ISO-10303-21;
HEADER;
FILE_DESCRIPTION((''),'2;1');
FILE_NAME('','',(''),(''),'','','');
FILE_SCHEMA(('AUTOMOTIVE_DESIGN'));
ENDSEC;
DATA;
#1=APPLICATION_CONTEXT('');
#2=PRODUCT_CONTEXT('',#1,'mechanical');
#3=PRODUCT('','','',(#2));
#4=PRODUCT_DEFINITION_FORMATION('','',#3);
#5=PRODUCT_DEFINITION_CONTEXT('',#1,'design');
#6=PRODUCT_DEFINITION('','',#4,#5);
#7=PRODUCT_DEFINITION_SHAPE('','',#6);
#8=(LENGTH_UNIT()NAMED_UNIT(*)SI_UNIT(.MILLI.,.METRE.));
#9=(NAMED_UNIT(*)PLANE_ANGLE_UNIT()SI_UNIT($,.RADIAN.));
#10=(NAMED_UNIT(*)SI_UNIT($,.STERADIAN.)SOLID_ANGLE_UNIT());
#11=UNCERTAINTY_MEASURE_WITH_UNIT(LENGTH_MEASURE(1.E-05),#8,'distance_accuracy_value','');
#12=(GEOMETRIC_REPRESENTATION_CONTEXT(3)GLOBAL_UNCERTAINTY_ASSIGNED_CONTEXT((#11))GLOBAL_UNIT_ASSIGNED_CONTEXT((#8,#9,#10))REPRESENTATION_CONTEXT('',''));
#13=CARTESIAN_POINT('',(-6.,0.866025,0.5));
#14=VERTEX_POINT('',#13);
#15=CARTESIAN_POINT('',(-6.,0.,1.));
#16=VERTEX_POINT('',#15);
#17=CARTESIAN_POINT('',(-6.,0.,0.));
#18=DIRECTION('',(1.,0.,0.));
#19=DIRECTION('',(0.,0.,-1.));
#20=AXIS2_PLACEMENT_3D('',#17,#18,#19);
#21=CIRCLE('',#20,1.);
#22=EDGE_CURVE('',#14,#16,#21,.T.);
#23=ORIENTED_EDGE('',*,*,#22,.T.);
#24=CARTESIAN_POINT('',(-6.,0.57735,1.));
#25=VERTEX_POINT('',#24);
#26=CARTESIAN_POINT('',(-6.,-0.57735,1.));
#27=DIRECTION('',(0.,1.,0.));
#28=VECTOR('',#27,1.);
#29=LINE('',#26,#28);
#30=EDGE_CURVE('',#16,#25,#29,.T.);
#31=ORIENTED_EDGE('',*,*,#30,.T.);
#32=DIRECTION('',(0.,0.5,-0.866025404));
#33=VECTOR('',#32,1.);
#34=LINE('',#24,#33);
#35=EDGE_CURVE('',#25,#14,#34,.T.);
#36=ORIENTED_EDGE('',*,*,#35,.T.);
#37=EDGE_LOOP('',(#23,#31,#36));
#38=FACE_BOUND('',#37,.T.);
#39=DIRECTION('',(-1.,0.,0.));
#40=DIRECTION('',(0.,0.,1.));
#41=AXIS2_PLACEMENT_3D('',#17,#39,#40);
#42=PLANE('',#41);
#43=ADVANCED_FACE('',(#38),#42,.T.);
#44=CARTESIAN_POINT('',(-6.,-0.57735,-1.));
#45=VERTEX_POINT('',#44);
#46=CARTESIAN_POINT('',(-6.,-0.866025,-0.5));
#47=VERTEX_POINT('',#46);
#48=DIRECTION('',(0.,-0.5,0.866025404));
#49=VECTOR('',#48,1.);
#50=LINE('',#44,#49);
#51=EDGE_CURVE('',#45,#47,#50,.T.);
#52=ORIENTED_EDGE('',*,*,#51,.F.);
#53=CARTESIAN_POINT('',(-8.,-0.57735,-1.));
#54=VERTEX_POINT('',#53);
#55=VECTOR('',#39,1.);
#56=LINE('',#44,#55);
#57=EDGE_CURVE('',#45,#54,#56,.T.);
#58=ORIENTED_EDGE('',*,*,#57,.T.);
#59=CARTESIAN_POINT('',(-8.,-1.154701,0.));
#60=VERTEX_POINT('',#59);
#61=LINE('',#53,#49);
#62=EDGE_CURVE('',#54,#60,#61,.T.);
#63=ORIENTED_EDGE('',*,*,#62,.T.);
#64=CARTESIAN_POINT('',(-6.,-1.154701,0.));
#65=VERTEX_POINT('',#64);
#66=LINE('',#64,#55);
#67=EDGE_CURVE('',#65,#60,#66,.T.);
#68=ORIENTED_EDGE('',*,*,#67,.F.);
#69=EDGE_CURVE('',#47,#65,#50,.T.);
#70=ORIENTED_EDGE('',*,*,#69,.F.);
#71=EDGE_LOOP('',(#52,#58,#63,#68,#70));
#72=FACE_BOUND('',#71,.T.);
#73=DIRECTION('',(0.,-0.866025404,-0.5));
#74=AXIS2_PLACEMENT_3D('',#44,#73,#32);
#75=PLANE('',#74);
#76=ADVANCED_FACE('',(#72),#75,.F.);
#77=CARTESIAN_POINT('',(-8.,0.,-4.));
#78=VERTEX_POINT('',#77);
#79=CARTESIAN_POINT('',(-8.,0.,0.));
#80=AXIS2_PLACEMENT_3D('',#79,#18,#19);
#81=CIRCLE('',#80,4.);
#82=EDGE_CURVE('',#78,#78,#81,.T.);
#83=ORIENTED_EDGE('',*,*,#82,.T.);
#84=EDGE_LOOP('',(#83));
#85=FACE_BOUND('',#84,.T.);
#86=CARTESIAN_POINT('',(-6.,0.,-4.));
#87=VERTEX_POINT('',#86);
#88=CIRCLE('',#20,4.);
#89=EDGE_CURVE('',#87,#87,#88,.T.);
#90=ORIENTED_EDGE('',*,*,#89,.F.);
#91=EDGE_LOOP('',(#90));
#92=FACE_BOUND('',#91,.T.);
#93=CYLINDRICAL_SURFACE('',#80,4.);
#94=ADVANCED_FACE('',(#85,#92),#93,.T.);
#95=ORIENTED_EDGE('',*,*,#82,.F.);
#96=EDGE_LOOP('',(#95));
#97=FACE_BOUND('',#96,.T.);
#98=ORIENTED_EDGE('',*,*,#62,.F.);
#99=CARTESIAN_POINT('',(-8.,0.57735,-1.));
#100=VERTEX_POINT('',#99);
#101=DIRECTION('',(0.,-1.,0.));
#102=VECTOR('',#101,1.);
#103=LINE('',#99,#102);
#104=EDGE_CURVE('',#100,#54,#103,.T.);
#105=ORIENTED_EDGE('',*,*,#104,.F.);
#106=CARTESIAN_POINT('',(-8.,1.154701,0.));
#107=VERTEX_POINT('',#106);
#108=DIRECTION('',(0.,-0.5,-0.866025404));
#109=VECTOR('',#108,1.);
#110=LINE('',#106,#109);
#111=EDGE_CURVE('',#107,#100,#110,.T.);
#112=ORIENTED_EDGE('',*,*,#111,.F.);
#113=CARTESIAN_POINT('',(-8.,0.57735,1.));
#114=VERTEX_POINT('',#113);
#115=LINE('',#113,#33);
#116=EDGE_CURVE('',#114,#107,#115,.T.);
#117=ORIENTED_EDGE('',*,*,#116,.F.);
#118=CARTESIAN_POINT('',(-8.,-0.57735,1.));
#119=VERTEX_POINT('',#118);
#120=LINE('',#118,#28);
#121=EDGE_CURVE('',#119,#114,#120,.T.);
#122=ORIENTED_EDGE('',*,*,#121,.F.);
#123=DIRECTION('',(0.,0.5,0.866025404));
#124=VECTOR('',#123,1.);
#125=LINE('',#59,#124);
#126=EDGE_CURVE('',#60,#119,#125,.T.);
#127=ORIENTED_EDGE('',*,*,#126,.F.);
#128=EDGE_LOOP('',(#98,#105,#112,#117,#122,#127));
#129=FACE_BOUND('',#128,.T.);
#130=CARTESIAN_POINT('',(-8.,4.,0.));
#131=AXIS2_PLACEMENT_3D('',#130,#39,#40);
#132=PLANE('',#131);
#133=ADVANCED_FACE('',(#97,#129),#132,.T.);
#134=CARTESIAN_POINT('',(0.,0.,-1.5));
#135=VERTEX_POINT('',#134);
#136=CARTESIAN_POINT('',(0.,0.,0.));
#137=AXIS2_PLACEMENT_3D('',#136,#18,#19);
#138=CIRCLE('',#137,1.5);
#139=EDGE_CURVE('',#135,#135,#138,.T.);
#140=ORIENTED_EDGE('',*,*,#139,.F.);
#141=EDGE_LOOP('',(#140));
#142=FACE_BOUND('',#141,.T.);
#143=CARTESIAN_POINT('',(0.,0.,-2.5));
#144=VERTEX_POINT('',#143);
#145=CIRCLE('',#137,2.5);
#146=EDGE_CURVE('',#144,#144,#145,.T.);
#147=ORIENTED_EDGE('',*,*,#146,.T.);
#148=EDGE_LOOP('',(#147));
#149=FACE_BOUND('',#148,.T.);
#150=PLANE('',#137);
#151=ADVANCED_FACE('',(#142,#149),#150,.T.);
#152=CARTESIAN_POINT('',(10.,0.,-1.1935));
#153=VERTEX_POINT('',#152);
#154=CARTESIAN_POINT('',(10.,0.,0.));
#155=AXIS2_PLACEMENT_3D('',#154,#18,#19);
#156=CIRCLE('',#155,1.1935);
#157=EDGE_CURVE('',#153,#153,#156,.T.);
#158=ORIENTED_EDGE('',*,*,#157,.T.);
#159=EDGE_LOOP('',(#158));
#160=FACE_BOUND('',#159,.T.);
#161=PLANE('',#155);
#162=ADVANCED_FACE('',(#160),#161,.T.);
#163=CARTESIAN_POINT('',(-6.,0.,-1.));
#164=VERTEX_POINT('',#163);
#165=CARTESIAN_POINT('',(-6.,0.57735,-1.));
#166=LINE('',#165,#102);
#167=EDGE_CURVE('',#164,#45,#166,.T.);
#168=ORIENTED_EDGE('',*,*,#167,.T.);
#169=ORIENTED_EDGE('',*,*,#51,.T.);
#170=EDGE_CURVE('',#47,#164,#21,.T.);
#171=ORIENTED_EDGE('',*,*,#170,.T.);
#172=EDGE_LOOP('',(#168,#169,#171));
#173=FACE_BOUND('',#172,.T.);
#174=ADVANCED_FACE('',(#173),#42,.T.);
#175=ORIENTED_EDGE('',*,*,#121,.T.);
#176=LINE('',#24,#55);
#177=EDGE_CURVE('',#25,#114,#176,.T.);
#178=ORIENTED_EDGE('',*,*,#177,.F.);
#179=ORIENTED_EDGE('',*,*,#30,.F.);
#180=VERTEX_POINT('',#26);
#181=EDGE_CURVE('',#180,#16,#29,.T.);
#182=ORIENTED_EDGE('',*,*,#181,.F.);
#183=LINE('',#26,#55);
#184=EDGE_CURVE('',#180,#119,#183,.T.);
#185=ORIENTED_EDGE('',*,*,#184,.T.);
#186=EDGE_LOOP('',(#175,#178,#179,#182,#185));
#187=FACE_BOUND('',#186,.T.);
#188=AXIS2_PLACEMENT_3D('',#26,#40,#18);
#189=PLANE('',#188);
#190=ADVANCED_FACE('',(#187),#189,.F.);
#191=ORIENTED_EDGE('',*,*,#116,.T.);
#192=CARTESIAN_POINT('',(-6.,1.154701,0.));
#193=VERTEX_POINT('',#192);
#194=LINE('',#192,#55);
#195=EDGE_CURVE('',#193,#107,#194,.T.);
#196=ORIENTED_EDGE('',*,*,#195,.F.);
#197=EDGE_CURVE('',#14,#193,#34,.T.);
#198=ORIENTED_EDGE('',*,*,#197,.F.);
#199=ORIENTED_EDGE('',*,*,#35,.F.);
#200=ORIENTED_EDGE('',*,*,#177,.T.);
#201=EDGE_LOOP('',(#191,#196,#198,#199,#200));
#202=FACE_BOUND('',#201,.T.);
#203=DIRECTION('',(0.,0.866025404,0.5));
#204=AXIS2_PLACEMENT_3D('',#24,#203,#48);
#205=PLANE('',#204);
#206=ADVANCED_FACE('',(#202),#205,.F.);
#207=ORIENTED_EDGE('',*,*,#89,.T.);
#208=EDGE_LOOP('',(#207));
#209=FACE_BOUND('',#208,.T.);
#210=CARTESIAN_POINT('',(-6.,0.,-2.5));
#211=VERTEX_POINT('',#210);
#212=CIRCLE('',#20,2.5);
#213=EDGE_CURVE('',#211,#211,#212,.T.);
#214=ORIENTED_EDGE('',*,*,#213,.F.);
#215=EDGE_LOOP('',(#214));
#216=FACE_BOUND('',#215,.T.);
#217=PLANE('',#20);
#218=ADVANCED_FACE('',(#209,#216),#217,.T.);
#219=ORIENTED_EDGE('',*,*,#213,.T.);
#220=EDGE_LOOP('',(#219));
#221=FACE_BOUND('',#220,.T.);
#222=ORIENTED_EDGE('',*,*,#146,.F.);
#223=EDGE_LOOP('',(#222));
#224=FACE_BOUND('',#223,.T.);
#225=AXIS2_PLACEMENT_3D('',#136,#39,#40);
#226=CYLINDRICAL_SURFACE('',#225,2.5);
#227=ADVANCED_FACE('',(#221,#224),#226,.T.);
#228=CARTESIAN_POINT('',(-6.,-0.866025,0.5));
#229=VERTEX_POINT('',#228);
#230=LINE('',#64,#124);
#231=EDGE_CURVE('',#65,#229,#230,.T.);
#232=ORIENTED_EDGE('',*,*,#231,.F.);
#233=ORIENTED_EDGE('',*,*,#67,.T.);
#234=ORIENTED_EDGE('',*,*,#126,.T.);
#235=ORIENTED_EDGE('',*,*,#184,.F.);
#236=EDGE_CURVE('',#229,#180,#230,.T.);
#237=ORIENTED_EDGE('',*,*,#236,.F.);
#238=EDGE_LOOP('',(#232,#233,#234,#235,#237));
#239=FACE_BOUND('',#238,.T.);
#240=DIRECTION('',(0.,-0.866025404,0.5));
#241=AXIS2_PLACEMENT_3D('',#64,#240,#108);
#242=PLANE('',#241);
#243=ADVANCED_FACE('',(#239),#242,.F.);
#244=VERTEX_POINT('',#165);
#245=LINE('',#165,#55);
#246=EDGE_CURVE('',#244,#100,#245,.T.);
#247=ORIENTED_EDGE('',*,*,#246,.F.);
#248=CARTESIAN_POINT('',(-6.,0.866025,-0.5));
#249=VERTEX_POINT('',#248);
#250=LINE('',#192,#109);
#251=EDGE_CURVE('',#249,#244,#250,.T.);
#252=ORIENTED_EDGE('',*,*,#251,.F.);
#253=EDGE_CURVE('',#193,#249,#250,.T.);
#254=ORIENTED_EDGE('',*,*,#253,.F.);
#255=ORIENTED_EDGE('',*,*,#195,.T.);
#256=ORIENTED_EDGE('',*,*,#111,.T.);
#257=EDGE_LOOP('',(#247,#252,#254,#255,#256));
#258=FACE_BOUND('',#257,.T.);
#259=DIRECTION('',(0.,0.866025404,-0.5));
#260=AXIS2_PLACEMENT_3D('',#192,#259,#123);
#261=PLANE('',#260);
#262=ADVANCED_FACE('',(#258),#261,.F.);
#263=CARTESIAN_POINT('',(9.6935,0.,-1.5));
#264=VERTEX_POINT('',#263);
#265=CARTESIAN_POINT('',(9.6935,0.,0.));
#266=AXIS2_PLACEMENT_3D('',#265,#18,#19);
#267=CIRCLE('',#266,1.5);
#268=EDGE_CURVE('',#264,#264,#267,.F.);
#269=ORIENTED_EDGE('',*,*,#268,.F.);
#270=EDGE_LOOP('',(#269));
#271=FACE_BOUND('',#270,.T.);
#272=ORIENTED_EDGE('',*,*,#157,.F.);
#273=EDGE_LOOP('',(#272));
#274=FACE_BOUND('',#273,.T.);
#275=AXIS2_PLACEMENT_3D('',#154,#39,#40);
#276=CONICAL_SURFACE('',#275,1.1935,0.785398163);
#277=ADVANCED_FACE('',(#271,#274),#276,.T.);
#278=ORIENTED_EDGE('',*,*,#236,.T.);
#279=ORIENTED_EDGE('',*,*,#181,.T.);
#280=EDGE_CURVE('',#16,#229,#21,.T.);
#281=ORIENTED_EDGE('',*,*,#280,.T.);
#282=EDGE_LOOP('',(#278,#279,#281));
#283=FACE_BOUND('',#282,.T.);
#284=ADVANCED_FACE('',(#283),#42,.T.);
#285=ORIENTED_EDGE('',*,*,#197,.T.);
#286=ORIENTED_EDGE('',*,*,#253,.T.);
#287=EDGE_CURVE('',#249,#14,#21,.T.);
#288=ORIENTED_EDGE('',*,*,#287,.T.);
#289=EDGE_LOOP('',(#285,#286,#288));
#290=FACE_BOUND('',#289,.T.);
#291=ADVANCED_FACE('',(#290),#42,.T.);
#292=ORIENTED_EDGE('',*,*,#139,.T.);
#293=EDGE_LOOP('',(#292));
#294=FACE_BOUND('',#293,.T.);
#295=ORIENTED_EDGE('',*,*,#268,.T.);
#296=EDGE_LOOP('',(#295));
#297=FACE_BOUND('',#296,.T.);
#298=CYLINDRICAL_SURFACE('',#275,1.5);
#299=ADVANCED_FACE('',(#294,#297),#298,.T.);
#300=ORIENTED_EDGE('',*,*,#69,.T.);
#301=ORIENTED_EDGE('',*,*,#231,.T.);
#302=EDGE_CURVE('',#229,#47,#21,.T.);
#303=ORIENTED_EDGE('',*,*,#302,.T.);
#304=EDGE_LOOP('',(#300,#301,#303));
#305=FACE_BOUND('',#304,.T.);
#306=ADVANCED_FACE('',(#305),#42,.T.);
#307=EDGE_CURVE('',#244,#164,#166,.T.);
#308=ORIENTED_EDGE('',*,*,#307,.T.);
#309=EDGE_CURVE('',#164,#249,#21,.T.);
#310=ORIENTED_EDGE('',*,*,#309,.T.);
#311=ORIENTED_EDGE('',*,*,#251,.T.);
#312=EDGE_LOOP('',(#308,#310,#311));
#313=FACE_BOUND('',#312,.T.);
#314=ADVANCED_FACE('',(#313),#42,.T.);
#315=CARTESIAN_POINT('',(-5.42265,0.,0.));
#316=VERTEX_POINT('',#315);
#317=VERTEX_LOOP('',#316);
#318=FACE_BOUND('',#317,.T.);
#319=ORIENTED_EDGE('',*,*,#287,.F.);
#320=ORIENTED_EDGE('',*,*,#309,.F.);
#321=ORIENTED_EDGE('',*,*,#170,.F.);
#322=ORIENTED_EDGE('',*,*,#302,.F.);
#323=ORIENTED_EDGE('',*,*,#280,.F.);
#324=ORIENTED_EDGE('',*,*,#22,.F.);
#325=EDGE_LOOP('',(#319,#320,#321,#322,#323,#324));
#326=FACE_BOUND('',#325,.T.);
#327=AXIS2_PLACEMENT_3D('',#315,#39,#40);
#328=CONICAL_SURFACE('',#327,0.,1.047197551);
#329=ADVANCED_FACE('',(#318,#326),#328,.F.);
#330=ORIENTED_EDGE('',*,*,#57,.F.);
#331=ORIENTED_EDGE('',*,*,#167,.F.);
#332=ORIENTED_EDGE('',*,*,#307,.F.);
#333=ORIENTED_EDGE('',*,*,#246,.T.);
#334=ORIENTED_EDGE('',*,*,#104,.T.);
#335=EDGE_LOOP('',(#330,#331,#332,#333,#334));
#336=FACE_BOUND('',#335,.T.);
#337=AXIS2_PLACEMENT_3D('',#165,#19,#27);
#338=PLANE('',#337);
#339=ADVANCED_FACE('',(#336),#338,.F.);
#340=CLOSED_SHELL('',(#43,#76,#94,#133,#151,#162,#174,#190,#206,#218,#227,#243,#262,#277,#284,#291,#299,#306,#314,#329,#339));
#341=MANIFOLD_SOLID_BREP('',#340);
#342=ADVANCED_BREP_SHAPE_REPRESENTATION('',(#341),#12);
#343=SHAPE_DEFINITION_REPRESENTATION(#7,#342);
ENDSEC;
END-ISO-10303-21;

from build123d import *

# Parameters (mm, degrees)
SKETCH1_W           = 2
SKETCH1_H           = 4
SKETCH2_R           = 2.5
BOSS_EXTRUDE1_DEPTH = 6
SKETCH3_R           = 1.5
BOSS_EXTRUDE2_DEPTH = 10
CUT_EXTRUDE1_DEPTH  = 2
CHAMFER1_SIZE       = 0.3065


with BuildPart() as part:
    # Sketch1 → Revolve1 (revolve)
    with BuildSketch(Plane.XY):
        with Locations((-7, 2)):
            Rectangle(SKETCH1_W, SKETCH1_H)
    revolve(axis=Axis((-8, 0, 0), (1, 0, 0)))

    # Sketch2 → Boss-Extrude1 (add)
    with BuildSketch(Plane(origin=(-6, 0, 0), x_dir=(0, 0, -1), z_dir=(1, 0, 0))):
        Circle(SKETCH2_R)
    extrude(amount=BOSS_EXTRUDE1_DEPTH)

    # Sketch3 → Boss-Extrude2 (add)
    with BuildSketch(Plane(origin=(0, 0, 0), x_dir=(0, 0, -1), z_dir=(1, 0, 0))):
        Circle(SKETCH3_R)
    extrude(amount=BOSS_EXTRUDE2_DEPTH)

    # Sketch4 → Cut-Extrude1 (cut)
    with BuildSketch(Plane.ZY.offset(8)):
        Polygon((0, -1.154700538), (1, -0.577350269), (1, 0.577350269), (0, 1.154700538), (-1, 0.577350269), (-1, -0.577350269), align=None)
    extrude(amount=-CUT_EXTRUDE1_DEPTH, mode=Mode.SUBTRACT)

    # Sketch5 → Cut-Revolve1 (revolve, cut)
    with BuildSketch(Plane.XY):
        Polygon((-6, 1), (-6, 0), (-5.422649731, 0), align=None)
    revolve(axis=Axis((-6.000025, 0, 0), (1, 0, 0)), mode=Mode.SUBTRACT)

    # Chamfer1
    chamfer1_edges = [part.edges().sort_by_distance(p)[0] for p in [
        (10, 0, 1.5),
    ]]
    chamfer(chamfer1_edges, length=CHAMFER1_SIZE)


solid = part.part
